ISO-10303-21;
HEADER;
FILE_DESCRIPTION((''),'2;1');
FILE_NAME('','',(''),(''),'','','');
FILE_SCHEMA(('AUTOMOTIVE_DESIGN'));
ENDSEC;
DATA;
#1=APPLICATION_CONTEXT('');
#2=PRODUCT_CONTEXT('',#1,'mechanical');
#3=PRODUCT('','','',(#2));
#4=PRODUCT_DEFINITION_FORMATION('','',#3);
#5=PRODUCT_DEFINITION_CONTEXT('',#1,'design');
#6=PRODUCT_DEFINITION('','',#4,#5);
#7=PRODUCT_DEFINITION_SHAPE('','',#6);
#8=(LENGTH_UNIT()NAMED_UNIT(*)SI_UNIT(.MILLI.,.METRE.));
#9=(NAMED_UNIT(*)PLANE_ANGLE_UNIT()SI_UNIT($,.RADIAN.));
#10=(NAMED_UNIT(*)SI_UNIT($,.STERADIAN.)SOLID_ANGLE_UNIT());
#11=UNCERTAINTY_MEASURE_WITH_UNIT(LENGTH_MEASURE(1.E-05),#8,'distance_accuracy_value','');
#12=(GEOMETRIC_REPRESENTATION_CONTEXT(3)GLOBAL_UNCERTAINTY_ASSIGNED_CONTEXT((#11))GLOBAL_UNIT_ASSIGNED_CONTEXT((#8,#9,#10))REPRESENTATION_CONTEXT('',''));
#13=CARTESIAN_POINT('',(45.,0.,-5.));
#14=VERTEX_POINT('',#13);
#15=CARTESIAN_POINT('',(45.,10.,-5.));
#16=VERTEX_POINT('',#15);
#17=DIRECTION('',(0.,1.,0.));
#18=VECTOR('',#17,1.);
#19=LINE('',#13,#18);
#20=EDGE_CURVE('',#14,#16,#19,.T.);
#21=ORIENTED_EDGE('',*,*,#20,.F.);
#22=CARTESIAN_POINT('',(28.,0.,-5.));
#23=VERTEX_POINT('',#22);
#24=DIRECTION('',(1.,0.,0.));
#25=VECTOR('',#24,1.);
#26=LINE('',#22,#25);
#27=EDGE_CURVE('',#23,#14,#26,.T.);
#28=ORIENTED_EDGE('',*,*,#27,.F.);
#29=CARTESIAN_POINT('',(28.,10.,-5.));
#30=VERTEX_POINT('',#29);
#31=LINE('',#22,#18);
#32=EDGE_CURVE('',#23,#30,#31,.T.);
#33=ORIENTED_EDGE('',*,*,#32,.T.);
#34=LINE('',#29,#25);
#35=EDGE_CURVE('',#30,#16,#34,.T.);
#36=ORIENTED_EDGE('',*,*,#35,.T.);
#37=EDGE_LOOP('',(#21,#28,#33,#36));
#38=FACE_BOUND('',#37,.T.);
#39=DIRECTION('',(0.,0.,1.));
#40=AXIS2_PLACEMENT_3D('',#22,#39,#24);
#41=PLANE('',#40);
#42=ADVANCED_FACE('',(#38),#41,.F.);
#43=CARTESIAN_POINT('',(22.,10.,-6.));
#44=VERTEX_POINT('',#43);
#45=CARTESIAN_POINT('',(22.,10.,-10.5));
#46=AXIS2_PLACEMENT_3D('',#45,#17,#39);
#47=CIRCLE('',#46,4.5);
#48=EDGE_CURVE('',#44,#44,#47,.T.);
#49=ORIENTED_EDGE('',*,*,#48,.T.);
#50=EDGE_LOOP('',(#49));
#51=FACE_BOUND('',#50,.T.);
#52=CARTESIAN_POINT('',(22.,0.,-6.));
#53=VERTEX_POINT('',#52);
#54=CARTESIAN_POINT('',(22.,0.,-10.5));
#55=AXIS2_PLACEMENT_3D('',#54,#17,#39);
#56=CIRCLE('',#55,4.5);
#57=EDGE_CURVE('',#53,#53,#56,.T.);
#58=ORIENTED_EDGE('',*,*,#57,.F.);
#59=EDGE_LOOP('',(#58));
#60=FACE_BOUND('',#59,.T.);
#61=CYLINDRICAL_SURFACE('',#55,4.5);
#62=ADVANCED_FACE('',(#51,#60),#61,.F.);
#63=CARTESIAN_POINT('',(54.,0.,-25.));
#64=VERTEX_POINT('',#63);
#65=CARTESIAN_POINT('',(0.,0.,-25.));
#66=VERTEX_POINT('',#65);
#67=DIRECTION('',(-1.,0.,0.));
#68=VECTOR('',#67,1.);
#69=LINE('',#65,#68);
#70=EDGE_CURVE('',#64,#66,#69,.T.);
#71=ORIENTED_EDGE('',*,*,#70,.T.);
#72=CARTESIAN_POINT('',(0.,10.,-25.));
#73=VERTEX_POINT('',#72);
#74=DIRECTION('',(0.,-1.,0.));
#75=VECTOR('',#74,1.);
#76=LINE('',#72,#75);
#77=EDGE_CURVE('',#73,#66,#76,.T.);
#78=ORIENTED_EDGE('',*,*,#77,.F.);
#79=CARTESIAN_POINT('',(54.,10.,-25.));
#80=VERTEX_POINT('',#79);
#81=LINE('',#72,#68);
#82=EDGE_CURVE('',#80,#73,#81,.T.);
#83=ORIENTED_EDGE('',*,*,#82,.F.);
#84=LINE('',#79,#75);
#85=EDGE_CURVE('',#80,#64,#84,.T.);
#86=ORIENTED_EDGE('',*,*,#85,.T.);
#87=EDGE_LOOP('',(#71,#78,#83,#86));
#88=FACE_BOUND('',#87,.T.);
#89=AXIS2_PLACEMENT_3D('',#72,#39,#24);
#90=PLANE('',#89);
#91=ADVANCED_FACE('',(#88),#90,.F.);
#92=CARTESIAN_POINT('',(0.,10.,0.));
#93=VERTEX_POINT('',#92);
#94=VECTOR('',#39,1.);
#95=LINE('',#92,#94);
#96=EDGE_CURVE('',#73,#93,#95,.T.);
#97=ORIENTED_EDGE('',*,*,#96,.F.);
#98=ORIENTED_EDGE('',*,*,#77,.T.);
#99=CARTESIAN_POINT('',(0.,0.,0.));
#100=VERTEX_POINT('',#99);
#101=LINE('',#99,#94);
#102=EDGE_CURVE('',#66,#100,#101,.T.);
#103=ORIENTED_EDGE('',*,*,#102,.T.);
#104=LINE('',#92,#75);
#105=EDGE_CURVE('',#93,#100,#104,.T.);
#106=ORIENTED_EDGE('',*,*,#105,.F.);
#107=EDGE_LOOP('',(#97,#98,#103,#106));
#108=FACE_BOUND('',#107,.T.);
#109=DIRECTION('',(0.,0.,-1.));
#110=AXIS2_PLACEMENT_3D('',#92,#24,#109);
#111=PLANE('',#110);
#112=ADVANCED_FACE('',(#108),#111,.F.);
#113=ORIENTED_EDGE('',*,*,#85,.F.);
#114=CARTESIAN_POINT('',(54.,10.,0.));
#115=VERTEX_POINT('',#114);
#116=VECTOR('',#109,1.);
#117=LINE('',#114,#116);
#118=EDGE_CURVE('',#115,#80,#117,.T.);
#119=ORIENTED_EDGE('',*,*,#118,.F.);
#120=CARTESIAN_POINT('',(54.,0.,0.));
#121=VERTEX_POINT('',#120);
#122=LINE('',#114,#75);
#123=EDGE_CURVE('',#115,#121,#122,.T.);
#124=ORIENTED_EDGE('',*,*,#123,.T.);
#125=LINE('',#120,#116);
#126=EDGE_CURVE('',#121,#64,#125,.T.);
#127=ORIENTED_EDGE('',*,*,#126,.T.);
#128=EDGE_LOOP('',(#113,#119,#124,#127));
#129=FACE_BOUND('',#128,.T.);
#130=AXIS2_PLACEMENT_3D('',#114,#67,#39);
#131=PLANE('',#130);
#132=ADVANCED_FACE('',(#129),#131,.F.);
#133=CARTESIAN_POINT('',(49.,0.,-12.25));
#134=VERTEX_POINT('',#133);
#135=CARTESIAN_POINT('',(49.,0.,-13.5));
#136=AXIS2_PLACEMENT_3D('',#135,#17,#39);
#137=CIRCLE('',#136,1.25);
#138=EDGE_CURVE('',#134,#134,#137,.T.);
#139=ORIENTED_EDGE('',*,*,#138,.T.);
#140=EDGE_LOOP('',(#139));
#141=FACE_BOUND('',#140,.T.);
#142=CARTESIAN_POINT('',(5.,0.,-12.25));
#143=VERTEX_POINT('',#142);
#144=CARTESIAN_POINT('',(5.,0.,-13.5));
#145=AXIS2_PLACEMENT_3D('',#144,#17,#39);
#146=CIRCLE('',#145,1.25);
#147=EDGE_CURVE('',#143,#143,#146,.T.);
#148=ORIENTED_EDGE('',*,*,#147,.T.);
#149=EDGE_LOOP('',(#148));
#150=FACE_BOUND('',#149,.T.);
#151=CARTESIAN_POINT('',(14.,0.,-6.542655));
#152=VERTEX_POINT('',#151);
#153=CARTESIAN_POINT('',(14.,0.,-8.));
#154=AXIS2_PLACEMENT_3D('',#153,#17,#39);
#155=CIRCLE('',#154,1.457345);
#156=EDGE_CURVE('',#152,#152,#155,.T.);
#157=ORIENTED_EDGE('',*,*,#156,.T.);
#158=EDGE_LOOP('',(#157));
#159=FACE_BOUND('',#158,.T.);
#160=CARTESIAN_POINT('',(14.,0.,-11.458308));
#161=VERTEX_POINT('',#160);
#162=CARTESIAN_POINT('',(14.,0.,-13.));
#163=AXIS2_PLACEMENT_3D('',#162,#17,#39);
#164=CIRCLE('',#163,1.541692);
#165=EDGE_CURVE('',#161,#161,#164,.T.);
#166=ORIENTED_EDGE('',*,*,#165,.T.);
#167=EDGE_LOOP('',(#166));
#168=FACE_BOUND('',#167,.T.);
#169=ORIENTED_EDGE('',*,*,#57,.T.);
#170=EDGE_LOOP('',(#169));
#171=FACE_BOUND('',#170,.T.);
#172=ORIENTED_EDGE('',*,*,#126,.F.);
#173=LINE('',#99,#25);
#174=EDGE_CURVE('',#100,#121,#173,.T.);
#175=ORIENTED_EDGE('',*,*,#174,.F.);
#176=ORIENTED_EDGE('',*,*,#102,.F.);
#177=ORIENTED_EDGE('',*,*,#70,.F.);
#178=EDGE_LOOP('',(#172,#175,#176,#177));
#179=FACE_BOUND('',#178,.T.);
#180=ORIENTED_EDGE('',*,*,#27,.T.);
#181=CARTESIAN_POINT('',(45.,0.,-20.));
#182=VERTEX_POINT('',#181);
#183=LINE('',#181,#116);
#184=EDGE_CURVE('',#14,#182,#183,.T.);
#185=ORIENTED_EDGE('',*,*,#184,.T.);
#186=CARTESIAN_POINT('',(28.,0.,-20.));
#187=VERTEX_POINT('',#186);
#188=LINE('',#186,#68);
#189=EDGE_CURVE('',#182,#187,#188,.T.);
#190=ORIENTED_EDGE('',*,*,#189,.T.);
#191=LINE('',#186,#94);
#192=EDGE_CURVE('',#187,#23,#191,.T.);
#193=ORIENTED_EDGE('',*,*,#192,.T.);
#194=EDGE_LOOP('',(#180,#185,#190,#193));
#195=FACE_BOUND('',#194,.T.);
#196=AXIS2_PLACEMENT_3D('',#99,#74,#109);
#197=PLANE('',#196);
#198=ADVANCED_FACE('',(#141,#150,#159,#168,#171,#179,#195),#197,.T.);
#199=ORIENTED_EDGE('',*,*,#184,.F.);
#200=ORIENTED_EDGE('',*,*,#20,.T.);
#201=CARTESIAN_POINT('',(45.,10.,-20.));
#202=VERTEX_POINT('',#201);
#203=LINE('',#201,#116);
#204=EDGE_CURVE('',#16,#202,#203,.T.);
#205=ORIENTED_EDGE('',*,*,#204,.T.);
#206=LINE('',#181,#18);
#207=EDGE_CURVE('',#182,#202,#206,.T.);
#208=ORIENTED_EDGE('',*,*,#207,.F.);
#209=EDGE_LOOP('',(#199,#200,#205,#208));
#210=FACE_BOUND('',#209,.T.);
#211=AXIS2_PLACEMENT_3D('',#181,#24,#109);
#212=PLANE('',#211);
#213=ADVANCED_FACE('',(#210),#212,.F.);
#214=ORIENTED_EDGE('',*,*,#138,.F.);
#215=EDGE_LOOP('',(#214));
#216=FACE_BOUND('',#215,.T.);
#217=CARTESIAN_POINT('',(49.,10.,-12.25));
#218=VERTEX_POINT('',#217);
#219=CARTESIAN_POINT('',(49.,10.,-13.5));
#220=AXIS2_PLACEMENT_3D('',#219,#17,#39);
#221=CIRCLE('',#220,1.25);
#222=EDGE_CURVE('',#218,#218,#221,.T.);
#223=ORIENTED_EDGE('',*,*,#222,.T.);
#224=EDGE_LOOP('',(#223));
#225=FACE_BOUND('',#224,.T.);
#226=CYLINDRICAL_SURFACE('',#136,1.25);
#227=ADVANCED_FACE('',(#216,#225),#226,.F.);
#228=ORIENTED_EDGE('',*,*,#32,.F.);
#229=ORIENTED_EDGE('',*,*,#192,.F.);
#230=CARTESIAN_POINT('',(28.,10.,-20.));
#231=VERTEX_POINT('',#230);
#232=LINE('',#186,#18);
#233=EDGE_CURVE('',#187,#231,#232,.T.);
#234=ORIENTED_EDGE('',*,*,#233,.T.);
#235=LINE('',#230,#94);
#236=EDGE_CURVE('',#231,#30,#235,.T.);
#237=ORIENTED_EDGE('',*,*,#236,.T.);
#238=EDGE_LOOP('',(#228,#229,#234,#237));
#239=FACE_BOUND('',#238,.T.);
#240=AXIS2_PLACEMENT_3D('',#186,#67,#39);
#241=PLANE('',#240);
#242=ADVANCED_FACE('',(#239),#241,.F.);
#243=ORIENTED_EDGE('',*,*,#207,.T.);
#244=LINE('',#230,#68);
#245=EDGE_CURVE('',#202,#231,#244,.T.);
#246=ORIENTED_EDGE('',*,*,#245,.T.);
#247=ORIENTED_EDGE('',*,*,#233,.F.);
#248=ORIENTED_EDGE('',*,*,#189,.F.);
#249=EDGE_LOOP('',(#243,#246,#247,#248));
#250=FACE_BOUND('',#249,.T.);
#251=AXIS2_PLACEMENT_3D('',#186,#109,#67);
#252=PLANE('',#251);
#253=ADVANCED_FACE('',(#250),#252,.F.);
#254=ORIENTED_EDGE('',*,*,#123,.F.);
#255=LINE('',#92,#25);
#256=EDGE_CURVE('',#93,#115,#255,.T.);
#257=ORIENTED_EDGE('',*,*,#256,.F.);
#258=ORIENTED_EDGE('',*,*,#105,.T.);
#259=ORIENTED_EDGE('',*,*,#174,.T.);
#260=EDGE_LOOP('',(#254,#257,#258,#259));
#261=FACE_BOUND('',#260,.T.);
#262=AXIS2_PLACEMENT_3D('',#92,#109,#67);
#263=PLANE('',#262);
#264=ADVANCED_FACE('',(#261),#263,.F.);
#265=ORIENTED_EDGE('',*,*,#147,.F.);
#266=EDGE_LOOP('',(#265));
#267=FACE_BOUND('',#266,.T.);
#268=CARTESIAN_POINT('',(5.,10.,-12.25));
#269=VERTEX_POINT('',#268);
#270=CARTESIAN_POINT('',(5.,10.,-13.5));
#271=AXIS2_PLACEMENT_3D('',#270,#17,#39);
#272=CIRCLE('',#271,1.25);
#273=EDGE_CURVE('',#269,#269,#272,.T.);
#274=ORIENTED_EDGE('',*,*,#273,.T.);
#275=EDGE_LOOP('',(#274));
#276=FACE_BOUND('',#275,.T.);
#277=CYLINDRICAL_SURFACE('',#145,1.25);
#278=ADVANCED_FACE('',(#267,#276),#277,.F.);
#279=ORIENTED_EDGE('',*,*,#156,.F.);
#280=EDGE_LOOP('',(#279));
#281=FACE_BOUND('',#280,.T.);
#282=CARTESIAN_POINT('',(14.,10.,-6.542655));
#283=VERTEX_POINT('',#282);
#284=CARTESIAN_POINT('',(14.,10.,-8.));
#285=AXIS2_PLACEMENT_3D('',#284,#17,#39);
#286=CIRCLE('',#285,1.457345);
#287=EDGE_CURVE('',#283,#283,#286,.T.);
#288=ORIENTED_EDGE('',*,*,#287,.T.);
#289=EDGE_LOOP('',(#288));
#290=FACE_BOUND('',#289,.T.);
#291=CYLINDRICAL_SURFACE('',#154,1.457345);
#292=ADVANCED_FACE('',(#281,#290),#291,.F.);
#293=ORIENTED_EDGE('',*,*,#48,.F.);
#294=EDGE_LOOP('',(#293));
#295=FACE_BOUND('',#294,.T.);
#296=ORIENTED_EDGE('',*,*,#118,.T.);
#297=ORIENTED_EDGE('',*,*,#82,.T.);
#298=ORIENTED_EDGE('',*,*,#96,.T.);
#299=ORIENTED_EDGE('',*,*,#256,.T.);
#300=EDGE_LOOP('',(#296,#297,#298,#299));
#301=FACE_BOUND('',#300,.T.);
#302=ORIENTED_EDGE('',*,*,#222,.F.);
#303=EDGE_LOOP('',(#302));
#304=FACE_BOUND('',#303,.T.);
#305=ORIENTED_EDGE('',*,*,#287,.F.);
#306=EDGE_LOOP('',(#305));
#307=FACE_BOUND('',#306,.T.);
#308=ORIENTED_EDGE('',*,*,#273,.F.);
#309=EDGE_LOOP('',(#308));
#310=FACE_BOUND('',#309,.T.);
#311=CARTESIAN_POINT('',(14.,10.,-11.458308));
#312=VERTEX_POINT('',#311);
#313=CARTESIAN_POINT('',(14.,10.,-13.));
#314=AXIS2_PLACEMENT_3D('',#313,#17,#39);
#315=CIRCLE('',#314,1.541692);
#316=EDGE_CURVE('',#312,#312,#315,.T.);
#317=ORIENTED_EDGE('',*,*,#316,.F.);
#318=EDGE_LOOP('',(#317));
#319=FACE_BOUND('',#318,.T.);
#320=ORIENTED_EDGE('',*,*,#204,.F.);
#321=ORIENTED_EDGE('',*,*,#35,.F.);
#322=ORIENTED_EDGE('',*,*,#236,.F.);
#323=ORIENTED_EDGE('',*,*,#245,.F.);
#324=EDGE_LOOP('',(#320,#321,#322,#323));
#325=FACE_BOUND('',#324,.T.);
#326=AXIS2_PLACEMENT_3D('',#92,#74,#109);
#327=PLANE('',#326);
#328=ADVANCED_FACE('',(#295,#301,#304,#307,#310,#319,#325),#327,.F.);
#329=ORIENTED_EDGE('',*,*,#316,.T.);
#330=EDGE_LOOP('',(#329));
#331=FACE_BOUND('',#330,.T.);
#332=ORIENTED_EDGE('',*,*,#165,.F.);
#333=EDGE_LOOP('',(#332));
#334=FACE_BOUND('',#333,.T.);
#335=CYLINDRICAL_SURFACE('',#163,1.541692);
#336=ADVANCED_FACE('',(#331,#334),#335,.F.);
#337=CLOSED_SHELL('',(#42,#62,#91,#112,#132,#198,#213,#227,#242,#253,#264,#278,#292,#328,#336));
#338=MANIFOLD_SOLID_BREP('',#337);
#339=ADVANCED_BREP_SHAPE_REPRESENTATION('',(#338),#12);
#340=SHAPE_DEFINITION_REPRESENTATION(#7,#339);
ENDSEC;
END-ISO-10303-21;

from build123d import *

# Parameters (mm, degrees)
SKETCH1_W           = 54
SKETCH1_H           = 25
BOSS_EXTRUDE1_DEPTH = 10
SKETCH2_R           = 1.25
SKETCH2_R_2         = 4.5
SKETCH2_R_3         = 1.541692257
SKETCH2_R_4         = 1.457345452
SKETCH2_W           = 17
SKETCH2_H           = 15
CUT_EXTRUDE1_DEPTH  = 10


with BuildPart() as part:
    # Sketch1 → Boss-Extrude1 (new body)
    with BuildSketch(Plane(origin=(0, 0, 0), x_dir=(1, 0, 0), z_dir=(0, 1, 0))):
        with Locations((27, 12.5)):
            Rectangle(SKETCH1_W, SKETCH1_H)
    extrude(amount=BOSS_EXTRUDE1_DEPTH)

    # Sketch2 → Cut-Extrude1 (cut)
    with BuildSketch(Plane(origin=(0, 10, 0), x_dir=(1, 0, 0), z_dir=(0, 1, 0))):
        with Locations(Location((49, 13.5, 0), (0, 0, 270))):
            Circle(SKETCH2_R)
        with Locations(Location((5, 13.5, 0), (0, 0, 270))):
            Circle(SKETCH2_R)
        with Locations(Location((22, 10.5, 0), (0, 0, 270))):
            Circle(SKETCH2_R_2)
        with Locations(Location((14, 13, 0), (0, 0, 270))):
            Circle(SKETCH2_R_3)
        with Locations(Location((14, 8, 0), (0, 0, 270))):
            Circle(SKETCH2_R_4)
        with Locations((36.5, 12.5)):
            Rectangle(SKETCH2_W, SKETCH2_H)
    extrude(amount=-CUT_EXTRUDE1_DEPTH, mode=Mode.SUBTRACT)


solid = part.part
